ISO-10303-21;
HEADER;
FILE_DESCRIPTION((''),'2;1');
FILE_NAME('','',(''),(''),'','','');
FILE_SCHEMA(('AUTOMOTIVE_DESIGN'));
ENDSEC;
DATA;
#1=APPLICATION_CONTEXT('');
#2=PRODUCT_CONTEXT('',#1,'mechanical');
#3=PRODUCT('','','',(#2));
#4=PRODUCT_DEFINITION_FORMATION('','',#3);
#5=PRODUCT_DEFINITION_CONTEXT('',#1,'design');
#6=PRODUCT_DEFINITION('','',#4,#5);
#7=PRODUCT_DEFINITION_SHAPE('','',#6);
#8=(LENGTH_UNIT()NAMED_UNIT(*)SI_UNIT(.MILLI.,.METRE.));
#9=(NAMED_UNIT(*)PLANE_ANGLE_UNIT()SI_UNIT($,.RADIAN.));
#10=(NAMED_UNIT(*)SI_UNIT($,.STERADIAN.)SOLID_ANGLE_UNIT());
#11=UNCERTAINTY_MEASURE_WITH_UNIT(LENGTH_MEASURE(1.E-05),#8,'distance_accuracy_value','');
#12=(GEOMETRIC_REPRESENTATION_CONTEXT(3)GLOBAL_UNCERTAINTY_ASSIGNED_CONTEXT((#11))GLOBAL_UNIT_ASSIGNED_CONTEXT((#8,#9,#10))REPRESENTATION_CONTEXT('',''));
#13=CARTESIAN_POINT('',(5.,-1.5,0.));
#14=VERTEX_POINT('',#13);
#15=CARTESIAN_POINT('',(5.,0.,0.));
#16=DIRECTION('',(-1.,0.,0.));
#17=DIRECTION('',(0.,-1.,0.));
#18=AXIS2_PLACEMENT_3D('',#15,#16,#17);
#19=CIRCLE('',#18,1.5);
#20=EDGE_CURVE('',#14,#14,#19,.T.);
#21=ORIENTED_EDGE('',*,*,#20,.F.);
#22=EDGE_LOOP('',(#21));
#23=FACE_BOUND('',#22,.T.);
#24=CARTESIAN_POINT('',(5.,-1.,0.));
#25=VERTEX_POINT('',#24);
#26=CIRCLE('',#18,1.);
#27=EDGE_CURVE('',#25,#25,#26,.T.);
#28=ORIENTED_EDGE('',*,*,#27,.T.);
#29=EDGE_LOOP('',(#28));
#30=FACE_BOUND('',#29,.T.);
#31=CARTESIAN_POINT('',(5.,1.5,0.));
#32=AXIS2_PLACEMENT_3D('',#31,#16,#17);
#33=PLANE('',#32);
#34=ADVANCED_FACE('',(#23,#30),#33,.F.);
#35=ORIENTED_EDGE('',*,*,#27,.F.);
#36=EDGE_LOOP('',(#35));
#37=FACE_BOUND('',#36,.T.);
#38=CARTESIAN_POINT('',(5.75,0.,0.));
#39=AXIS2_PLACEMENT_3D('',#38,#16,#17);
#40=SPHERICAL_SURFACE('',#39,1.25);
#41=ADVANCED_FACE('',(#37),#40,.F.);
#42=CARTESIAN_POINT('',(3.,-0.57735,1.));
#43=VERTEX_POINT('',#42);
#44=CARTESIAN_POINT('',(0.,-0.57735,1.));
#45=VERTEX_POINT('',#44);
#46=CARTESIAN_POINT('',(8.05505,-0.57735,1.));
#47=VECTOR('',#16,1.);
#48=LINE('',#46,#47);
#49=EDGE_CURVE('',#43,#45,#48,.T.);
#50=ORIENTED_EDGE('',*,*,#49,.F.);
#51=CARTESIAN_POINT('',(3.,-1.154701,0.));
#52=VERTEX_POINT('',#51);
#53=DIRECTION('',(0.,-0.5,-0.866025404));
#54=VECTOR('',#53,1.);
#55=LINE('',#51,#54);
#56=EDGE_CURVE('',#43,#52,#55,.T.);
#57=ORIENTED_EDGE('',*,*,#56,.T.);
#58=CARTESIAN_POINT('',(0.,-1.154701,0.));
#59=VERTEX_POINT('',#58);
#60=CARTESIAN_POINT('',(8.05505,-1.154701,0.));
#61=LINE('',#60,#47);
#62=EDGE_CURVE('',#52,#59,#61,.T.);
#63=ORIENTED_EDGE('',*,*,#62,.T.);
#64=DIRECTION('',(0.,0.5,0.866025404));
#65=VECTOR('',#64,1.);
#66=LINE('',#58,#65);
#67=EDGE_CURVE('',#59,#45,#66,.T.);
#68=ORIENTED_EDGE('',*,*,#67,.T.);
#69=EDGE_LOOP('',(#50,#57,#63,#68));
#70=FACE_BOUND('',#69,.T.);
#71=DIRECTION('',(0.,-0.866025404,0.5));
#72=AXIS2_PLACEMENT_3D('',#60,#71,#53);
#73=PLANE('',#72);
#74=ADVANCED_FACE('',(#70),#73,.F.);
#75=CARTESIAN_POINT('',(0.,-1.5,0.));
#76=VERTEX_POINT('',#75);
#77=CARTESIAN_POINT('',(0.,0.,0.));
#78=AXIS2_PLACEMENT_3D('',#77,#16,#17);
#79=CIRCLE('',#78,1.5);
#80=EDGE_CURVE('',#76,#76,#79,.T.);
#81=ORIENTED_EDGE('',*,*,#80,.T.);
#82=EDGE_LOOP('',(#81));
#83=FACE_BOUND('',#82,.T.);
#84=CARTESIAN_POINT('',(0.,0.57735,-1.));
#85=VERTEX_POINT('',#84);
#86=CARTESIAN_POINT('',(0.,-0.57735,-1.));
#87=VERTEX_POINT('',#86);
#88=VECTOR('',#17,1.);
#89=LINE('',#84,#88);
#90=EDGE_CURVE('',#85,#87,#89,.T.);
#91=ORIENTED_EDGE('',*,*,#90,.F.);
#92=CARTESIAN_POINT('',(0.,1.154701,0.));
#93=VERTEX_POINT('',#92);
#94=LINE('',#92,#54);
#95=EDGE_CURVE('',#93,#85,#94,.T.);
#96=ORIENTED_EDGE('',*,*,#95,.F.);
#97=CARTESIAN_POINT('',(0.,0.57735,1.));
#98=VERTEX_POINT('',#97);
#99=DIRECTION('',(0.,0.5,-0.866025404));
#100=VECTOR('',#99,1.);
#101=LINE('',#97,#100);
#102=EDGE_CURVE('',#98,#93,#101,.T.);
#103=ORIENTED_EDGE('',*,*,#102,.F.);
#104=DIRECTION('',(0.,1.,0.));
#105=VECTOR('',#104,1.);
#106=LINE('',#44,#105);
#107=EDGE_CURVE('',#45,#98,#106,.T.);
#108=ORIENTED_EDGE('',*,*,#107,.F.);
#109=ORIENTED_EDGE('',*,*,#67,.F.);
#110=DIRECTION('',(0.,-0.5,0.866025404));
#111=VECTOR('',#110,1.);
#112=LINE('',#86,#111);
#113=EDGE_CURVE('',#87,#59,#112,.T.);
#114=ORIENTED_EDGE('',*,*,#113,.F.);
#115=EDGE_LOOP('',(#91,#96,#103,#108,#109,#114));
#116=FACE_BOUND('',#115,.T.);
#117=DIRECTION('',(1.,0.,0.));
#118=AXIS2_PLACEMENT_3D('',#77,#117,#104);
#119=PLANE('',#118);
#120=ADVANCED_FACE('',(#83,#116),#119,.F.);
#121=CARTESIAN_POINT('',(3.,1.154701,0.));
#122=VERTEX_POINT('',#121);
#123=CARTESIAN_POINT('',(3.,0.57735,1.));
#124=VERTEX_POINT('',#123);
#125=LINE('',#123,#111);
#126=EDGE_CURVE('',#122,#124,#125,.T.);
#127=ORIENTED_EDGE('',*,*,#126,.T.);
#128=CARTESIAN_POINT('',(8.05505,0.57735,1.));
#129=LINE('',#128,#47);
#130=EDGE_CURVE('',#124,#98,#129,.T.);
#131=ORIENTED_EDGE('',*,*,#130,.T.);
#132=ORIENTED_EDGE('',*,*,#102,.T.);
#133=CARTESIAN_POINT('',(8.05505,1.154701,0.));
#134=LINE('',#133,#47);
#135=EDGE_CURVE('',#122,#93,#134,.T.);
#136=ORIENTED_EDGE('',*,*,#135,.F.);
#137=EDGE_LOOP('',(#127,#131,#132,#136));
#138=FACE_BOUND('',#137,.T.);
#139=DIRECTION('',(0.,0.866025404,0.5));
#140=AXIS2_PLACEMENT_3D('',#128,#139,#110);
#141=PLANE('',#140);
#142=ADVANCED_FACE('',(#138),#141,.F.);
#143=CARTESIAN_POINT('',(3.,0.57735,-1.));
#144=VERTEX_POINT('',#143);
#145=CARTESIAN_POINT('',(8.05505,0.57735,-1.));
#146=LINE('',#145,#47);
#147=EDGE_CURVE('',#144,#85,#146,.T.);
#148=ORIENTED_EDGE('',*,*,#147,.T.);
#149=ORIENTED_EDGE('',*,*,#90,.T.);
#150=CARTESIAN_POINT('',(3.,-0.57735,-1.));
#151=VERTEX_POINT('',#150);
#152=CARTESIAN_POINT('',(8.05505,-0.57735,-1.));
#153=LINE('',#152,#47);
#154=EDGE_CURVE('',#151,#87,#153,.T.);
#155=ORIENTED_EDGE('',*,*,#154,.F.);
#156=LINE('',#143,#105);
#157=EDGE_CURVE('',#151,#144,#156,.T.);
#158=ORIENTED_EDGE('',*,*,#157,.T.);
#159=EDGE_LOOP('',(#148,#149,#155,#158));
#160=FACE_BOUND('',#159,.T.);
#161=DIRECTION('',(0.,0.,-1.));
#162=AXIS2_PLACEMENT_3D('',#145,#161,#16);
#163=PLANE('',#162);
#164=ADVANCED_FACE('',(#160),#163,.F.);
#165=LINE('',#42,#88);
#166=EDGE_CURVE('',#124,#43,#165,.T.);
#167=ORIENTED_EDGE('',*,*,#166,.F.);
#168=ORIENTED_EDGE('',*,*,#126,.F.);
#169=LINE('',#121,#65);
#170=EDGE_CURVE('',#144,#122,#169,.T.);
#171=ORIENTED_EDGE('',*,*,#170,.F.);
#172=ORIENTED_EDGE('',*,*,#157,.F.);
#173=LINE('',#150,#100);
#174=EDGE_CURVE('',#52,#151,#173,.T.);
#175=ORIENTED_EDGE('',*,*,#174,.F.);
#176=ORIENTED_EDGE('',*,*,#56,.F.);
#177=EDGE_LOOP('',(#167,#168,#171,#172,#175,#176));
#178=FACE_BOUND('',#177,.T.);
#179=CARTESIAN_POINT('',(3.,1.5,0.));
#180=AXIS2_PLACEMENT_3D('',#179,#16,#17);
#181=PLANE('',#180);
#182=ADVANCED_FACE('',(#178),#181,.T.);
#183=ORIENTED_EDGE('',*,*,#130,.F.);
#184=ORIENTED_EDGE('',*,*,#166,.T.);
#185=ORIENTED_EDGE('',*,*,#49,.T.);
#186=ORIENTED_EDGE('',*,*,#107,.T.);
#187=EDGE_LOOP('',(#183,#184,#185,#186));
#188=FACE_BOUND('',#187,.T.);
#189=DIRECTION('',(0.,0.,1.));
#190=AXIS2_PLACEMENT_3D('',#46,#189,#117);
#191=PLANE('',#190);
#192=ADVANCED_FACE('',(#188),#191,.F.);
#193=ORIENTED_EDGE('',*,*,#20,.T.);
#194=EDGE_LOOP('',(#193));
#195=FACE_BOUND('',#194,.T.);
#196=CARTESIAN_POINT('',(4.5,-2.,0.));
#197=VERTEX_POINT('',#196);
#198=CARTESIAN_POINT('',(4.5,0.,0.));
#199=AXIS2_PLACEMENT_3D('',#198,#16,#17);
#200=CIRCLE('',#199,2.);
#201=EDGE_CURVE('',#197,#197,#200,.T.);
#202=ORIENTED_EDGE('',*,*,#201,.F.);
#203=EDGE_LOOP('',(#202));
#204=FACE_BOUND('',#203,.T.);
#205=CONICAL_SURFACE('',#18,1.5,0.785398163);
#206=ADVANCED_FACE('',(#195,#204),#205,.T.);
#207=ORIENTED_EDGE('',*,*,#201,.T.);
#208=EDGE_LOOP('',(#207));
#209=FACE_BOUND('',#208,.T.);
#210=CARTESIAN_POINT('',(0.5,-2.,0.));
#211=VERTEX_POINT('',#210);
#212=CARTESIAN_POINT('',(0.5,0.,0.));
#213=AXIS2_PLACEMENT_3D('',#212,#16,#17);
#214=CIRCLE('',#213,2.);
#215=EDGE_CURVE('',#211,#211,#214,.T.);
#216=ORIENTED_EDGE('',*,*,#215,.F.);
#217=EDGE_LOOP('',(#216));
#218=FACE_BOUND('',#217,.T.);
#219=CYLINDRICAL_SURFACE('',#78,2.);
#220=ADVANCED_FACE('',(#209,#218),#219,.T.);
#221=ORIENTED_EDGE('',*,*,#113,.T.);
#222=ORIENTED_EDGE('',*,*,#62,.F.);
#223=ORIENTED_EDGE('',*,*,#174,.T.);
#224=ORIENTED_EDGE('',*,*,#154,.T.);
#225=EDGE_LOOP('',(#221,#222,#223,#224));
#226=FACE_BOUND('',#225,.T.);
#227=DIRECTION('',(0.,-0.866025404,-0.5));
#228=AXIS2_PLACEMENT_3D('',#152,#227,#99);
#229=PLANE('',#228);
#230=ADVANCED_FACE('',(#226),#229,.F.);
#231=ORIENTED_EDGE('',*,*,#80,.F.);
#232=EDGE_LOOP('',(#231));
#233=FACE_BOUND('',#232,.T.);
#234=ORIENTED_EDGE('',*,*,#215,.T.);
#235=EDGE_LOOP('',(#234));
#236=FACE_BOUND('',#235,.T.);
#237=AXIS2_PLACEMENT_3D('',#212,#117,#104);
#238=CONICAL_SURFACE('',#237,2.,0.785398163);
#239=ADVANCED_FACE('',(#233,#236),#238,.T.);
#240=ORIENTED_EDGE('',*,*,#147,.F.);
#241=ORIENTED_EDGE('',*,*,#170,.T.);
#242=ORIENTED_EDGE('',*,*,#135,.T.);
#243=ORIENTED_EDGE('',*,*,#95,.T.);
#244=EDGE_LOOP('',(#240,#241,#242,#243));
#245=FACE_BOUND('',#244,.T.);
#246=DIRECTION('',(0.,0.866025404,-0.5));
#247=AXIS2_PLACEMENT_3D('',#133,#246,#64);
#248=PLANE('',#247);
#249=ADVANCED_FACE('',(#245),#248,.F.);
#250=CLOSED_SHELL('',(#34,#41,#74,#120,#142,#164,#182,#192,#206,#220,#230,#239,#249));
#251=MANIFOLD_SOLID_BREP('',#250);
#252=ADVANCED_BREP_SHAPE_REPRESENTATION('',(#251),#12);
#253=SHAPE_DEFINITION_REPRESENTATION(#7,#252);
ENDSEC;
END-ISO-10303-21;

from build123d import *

# Parameters (mm, degrees)
CUT_EXTRUDE1_DEPTH = 3


with BuildPart() as part:
    # Sketch1 → Revolve1 (revolve)
    with BuildSketch(Plane.XY, mode=Mode.PRIVATE) as revolve1_sk:
        with BuildLine():
            Line((0, 0), (0, 1.5))
            Line((0, 1.5), (0.5, 2))
            Line((0.5, 2), (4.5, 2))
            Line((4.5, 2), (5, 1.5))
            Line((5, 1.5), (5, 1))
            ThreePointArc((5, 1), (4.631966011, 0.559016994), (4.5, 0))
            Line((4.5, 0), (0, 0))
        make_face()
    revolve(revolve1_sk.sketch.rotate(Axis((0, 0, 0), (1, 0, 0)), 180), axis=Axis((0, 0, 0), (1, 0, 0)))

    # Sketch2 → Cut-Extrude1 (cut)
    with BuildSketch(Plane.ZY):
        Polygon((0, 1.154700538), (-1, 0.577350269), (-1, -0.577350269), (0, -1.154700538), (1, -0.577350269), (1, 0.577350269), align=None)
    extrude(amount=-CUT_EXTRUDE1_DEPTH, mode=Mode.SUBTRACT)


solid = part.part
